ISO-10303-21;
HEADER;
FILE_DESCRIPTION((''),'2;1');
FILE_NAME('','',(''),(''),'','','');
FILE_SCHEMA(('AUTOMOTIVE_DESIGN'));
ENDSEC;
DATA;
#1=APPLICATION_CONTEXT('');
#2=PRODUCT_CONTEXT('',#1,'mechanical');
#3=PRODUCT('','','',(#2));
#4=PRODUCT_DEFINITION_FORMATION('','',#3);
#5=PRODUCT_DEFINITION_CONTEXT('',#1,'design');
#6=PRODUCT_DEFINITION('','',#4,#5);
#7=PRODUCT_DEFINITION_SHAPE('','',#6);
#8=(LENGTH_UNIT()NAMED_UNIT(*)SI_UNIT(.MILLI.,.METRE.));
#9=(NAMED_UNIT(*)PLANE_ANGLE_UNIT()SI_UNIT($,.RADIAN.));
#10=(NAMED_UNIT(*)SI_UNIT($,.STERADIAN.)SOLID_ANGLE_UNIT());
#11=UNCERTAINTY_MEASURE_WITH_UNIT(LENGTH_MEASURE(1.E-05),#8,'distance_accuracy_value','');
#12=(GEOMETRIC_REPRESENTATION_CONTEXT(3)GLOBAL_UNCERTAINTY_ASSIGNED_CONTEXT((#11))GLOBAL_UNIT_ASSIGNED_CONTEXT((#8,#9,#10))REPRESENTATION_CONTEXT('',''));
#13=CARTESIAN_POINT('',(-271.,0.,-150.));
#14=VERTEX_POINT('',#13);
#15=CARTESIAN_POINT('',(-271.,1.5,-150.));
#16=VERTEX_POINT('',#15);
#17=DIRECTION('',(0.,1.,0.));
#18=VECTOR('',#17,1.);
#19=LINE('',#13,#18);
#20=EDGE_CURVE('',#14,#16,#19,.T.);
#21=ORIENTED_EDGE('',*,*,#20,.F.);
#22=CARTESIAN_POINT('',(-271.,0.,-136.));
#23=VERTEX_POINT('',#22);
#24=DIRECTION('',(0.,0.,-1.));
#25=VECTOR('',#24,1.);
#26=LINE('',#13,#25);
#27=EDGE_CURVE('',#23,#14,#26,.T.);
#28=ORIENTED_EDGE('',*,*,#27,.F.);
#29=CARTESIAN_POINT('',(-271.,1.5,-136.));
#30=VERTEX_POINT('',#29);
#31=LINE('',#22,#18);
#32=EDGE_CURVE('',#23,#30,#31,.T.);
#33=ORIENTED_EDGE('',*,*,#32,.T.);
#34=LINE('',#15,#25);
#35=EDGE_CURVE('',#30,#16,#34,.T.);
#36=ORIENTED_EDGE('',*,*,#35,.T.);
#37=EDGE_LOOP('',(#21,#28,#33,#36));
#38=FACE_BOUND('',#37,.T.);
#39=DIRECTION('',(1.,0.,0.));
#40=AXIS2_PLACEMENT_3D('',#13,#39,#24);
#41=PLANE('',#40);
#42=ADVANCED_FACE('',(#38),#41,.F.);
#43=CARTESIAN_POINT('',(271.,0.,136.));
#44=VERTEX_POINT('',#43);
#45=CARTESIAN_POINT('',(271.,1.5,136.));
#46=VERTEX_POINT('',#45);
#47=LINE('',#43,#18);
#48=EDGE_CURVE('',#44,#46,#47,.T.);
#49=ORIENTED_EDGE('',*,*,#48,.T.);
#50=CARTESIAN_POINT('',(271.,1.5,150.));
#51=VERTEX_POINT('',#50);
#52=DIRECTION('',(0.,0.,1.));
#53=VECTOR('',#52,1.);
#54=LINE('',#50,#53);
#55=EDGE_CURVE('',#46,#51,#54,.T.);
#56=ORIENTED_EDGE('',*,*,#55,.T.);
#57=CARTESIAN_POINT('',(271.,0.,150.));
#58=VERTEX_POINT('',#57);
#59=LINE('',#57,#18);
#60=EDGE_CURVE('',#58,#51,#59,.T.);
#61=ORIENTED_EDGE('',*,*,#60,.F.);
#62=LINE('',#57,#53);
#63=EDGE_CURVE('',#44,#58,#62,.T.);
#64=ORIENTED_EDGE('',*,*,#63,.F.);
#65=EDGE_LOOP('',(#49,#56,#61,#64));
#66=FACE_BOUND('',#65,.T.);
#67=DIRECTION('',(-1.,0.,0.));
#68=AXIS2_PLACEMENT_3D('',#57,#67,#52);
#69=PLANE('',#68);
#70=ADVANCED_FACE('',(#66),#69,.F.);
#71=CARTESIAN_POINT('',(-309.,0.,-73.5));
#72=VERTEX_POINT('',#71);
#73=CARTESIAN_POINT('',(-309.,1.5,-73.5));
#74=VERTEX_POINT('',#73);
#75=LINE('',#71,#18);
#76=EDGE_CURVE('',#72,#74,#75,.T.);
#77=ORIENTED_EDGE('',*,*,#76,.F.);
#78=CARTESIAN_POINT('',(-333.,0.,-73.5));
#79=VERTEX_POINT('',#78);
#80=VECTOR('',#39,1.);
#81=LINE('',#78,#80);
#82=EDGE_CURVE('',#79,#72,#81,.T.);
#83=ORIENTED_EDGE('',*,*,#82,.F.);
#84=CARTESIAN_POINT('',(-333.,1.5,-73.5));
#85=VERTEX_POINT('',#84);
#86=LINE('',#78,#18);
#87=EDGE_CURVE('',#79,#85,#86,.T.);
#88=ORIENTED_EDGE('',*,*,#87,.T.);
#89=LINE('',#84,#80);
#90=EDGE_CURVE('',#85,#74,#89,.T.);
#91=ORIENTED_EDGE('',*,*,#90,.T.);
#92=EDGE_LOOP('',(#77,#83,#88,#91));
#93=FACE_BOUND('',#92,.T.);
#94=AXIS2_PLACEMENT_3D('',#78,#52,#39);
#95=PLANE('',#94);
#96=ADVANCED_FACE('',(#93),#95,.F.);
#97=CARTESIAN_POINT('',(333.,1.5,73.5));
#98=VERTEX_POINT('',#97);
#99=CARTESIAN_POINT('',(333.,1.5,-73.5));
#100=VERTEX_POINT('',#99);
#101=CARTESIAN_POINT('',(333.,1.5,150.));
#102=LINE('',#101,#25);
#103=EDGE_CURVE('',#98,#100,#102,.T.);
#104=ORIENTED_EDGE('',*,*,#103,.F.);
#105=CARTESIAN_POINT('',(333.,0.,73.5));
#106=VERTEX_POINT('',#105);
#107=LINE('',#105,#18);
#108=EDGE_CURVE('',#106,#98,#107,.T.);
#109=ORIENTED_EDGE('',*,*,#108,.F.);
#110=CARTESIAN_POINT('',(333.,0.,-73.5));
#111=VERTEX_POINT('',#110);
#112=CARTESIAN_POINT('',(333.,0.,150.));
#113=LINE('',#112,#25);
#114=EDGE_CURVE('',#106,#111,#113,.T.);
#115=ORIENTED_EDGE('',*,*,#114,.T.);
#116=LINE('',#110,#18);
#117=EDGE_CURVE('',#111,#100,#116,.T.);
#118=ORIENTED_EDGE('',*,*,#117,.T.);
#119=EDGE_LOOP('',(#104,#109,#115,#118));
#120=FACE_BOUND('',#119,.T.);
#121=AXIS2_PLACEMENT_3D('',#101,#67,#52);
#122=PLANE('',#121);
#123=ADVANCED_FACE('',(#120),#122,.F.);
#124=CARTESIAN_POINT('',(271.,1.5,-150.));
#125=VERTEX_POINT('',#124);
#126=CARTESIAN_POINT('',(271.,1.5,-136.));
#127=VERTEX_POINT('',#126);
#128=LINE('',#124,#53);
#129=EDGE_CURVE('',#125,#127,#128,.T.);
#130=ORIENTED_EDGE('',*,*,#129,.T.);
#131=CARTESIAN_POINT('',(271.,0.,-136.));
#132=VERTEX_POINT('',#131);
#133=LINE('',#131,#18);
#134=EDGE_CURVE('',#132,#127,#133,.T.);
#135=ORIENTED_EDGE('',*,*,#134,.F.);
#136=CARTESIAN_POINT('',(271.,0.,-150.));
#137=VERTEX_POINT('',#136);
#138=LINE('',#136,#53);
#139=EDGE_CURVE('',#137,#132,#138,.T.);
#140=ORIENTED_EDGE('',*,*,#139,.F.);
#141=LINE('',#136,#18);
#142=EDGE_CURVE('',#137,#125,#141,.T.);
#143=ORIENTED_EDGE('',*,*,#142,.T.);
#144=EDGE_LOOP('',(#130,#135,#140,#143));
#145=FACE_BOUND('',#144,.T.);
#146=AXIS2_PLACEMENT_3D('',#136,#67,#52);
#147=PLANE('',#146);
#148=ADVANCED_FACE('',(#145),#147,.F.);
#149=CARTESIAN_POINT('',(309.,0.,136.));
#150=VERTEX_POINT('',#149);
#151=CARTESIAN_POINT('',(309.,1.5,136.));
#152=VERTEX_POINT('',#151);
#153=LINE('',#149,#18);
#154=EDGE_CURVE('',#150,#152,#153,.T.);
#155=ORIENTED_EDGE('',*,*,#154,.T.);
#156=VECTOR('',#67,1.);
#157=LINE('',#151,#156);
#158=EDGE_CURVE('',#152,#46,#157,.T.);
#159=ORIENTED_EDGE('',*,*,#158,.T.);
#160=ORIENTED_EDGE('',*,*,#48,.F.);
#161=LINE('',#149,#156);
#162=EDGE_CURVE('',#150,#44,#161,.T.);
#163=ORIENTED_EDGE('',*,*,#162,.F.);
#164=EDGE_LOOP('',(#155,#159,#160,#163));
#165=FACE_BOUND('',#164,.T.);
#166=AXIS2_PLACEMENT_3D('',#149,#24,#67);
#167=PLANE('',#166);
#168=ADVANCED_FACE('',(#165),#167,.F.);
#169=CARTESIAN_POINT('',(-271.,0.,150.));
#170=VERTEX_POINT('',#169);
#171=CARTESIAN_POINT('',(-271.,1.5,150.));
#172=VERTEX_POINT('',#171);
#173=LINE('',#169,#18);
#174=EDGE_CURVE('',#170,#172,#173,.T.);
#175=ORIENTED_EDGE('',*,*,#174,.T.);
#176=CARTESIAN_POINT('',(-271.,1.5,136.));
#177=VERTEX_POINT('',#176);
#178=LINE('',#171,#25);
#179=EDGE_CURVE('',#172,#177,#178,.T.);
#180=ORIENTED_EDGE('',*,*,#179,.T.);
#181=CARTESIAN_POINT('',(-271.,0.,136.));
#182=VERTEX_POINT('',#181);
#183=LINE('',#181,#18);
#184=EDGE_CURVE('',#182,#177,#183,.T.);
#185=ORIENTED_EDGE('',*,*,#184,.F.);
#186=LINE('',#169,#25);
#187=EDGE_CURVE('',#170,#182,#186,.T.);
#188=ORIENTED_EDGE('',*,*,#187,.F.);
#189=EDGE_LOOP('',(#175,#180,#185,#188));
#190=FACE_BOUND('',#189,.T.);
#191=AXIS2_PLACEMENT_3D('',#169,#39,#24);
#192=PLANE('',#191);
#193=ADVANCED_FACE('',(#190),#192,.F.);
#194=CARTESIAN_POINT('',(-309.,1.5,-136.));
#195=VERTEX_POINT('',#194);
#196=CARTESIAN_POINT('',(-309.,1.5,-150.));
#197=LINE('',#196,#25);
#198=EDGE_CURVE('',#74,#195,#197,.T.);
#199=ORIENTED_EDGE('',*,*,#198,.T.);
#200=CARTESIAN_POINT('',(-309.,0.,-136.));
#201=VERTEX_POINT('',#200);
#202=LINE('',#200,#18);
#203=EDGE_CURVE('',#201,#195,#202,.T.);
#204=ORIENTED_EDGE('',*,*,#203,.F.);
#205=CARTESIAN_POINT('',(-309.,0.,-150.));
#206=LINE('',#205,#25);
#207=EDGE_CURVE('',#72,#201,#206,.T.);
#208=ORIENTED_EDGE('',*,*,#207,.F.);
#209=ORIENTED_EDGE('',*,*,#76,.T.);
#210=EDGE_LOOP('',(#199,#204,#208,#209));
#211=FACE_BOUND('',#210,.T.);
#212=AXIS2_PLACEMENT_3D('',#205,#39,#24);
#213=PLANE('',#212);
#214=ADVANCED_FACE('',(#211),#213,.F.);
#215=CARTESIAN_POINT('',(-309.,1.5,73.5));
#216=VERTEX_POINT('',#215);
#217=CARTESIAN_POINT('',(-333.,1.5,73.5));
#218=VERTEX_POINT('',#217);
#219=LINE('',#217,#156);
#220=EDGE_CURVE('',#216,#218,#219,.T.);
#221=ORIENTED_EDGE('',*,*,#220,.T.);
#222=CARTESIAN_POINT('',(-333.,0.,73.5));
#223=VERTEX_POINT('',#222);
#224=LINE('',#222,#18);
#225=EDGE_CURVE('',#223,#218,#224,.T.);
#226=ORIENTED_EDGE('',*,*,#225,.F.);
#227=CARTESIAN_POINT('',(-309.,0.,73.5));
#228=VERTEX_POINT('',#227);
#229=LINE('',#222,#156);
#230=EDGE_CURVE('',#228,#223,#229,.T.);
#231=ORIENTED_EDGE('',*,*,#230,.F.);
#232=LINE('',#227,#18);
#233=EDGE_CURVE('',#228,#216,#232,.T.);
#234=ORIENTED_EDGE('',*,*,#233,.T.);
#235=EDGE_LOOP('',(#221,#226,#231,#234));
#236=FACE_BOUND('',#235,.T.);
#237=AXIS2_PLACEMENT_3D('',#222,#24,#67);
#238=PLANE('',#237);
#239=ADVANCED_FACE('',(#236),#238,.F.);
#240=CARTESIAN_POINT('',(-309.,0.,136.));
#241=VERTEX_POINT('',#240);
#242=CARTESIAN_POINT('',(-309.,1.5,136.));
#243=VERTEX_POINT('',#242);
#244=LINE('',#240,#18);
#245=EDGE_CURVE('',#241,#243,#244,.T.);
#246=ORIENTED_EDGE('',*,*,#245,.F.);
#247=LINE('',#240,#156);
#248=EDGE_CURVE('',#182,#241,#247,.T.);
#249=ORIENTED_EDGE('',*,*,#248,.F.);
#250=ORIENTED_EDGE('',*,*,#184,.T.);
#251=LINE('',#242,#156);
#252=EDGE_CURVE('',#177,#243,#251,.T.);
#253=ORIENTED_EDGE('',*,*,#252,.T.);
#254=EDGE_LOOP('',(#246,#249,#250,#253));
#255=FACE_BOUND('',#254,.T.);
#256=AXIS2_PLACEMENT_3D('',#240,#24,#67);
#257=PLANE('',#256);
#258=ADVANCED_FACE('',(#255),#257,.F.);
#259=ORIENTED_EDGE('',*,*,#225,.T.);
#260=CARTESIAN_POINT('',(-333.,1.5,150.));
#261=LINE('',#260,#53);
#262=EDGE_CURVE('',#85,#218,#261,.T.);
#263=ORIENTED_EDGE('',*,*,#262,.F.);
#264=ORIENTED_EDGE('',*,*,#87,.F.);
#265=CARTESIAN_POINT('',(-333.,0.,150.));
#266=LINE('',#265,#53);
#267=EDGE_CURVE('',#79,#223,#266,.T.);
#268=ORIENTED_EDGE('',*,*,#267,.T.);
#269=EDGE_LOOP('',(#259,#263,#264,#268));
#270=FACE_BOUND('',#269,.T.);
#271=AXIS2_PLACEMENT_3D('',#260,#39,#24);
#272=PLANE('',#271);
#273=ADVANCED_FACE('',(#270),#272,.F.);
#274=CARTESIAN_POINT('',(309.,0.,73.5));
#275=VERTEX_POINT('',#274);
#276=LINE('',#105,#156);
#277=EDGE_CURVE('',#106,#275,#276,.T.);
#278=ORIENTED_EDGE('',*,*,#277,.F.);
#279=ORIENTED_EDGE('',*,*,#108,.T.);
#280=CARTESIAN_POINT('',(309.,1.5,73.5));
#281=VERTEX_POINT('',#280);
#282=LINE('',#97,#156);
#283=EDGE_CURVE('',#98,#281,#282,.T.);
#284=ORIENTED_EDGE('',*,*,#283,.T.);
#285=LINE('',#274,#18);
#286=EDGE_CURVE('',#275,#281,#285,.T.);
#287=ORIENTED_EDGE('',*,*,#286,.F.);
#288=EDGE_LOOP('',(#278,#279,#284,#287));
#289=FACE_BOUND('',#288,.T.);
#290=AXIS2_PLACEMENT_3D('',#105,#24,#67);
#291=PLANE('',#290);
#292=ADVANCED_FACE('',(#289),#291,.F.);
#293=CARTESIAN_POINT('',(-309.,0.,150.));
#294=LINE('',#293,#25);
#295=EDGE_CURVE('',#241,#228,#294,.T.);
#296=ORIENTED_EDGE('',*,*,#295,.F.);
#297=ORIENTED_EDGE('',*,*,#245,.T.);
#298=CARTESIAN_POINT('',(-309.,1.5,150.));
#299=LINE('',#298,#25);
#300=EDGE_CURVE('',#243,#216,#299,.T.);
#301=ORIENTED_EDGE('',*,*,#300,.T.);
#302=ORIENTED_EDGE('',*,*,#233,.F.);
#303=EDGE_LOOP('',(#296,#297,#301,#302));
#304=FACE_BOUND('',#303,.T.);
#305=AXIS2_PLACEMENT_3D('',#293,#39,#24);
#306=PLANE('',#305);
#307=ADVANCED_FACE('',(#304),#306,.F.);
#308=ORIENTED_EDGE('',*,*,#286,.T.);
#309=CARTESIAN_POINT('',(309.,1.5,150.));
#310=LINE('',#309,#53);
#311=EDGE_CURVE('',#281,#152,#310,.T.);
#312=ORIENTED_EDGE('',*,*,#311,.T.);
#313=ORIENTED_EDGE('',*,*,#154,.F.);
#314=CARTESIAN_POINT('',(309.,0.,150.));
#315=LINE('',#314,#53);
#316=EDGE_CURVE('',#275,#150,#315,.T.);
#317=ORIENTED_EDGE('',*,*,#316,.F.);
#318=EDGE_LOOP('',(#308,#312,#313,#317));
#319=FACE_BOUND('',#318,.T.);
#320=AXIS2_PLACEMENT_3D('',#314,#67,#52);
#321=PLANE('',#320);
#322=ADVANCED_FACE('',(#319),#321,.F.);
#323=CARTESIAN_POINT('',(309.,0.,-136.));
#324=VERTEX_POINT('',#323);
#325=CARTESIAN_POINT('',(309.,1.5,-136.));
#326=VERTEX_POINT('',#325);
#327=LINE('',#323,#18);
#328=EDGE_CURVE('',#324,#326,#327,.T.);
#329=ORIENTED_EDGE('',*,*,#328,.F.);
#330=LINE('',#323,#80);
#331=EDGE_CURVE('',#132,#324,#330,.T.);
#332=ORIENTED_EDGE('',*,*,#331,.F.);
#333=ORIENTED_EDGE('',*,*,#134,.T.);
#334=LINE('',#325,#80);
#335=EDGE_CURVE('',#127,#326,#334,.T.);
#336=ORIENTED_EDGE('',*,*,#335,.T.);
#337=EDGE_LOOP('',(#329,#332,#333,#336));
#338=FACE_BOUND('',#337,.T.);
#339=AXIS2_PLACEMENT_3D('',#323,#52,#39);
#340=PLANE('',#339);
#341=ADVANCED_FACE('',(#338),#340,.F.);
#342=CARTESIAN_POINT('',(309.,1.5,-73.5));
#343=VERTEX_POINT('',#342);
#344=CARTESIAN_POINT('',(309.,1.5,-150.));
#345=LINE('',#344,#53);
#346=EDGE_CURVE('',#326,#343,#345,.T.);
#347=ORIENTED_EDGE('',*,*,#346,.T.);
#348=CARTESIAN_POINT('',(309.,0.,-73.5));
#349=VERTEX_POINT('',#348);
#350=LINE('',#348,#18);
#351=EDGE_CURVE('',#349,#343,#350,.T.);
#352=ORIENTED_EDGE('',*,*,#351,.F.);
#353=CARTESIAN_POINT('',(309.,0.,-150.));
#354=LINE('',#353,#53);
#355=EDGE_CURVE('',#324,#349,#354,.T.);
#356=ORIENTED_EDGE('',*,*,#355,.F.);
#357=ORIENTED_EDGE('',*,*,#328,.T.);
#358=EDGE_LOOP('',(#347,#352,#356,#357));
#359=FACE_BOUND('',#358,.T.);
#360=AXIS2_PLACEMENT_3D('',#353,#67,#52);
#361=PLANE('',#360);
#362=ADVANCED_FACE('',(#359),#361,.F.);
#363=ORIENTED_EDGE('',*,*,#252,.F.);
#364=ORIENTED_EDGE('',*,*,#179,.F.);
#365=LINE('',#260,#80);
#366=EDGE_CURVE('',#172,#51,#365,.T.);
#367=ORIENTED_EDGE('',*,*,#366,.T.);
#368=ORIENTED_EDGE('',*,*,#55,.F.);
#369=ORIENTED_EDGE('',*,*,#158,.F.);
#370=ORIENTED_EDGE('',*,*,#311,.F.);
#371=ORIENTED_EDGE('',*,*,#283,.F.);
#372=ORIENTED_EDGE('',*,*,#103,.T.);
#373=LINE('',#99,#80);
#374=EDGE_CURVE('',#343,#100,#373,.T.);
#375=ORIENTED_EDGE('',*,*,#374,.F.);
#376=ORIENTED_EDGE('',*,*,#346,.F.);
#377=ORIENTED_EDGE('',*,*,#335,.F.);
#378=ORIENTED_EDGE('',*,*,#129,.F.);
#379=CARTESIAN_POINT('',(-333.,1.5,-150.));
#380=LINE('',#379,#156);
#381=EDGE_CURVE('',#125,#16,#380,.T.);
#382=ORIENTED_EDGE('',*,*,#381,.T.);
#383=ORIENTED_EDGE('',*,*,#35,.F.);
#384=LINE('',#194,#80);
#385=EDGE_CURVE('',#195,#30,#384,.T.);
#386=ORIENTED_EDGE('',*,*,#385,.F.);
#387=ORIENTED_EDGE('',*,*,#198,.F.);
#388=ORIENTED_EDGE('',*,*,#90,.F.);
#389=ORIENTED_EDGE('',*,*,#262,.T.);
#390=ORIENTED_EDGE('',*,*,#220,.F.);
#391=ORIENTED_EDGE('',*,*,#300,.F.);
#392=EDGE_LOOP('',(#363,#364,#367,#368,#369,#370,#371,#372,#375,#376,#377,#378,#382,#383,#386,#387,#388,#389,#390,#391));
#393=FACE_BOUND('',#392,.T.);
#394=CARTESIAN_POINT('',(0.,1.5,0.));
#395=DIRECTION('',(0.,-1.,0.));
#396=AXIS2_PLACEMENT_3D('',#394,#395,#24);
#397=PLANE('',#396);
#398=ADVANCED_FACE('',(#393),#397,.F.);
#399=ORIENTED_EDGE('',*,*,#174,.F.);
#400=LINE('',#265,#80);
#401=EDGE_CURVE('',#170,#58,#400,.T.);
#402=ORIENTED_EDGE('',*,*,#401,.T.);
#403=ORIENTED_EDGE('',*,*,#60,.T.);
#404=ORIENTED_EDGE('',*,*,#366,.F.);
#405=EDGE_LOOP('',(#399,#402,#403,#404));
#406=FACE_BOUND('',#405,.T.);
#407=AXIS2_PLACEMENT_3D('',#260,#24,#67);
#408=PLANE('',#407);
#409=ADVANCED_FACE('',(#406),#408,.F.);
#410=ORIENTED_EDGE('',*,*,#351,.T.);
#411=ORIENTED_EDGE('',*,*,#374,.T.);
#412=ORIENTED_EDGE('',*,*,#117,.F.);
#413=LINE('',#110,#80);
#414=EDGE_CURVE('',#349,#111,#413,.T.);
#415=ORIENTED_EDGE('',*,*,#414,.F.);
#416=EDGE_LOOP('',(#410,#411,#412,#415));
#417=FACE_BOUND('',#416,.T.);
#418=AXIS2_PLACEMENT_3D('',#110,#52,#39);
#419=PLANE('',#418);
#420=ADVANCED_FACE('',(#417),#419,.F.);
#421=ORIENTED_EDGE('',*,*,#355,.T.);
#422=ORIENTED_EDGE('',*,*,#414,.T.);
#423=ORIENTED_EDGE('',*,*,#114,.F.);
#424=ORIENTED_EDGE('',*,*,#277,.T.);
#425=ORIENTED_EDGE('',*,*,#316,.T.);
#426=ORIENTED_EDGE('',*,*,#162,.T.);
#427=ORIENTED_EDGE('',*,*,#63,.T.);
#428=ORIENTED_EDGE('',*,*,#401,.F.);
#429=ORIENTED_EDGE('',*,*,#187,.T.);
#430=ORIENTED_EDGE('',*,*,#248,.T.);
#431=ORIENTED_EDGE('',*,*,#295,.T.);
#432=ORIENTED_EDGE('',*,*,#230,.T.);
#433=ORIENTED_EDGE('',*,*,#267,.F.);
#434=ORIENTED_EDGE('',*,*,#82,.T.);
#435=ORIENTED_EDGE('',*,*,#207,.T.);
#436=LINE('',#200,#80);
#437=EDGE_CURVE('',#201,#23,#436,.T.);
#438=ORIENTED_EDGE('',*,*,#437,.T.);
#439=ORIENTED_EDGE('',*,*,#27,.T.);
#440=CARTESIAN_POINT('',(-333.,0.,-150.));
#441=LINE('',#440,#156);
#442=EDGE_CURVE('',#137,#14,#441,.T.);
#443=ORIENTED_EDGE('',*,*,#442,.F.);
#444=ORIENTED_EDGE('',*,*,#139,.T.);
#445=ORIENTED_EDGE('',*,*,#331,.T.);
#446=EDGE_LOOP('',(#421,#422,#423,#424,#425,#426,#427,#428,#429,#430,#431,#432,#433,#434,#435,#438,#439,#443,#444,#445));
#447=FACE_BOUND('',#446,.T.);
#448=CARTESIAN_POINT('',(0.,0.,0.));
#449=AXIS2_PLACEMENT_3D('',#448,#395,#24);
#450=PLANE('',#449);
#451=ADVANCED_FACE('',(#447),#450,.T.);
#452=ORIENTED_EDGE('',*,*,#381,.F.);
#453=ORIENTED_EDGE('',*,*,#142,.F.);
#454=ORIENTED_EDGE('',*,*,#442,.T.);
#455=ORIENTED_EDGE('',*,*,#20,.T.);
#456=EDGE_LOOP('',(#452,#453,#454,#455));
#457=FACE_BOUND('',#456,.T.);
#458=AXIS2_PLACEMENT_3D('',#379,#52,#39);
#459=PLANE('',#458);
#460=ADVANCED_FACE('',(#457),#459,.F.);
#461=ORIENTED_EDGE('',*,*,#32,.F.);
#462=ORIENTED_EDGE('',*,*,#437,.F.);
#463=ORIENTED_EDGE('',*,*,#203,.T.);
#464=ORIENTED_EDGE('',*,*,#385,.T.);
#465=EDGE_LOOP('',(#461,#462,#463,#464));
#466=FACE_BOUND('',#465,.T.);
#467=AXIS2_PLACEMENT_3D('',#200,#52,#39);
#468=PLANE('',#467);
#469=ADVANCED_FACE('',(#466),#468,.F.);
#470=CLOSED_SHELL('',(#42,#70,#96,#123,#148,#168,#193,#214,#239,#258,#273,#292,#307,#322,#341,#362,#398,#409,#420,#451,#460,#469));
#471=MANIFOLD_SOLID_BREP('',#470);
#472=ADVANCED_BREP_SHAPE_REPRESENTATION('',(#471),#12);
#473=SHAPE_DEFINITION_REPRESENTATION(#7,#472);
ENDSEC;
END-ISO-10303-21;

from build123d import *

# Parameters (mm, degrees)
CROQUIS1_W              = 666
CROQUIS1_H              = 300
SALIENTE_EXTRUIR1_DEPTH = 1.5
CROQUIS2_W              = 24
CROQUIS2_H              = 46.5
CORTAR_EXTRUIR1_DEPTH   = 2.5
CROQUIS3_W              = 38
CROQUIS3_H              = 14
CORTAR_EXTRUIR2_DEPTH   = 2.5
CROQUIS5_W              = 24
CROQUIS5_H              = 30
CORTAR_EXTRUIR3_DEPTH   = 2.5


with BuildPart() as part:
    # Croquis1 → Saliente-Extruir1 (new body)
    with BuildSketch(Plane(origin=(0, 0, 0), x_dir=(1, 0, 0), z_dir=(0, 1, 0))):
        Rectangle(CROQUIS1_W, CROQUIS1_H)
    extrude(amount=SALIENTE_EXTRUIR1_DEPTH)

    # Croquis2 → Cortar-Extruir1 (cut, through all)
    with BuildSketch(Plane(origin=(0, 1.5, 0), x_dir=(1, 0, 0), z_dir=(0, 1, 0))):
        with Locations((321, 126.75)):
            Rectangle(CROQUIS2_W, CROQUIS2_H)
        with Locations((-321, 126.75)):
            Rectangle(CROQUIS2_W, CROQUIS2_H)
        with Locations((-321, -126.75)):
            Rectangle(CROQUIS2_W, CROQUIS2_H)
        with Locations((321, -126.75)):
            Rectangle(CROQUIS2_W, CROQUIS2_H)
    extrude(amount=-CORTAR_EXTRUIR1_DEPTH, mode=Mode.SUBTRACT)

    # Croquis3 → Cortar-Extruir2 (cut, through all)
    with BuildSketch(Plane(origin=(0, 1.5, 0), x_dir=(1, 0, 0), z_dir=(0, 1, 0))):
        with Locations((-290, 143)):
            Rectangle(CROQUIS3_W, CROQUIS3_H)
        with Locations((290, 143)):
            Rectangle(CROQUIS3_W, CROQUIS3_H)
        with Locations((290, -143)):
            Rectangle(CROQUIS3_W, CROQUIS3_H)
        with Locations((-290, -143)):
            Rectangle(CROQUIS3_W, CROQUIS3_H)
    extrude(amount=-CORTAR_EXTRUIR2_DEPTH, mode=Mode.SUBTRACT)

    # Croquis5 → Cortar-Extruir3 (cut, through all)
    with BuildSketch(Plane(origin=(0, 1.5, 0), x_dir=(1, 0, 0), z_dir=(0, 1, 0))):
        with Locations((-321, 88.5)):
            Rectangle(CROQUIS5_W, CROQUIS5_H)
        with Locations((321, 88.5)):
            Rectangle(CROQUIS5_W, CROQUIS5_H)
        with Locations((321, -88.5)):
            Rectangle(CROQUIS5_W, CROQUIS5_H)
        with Locations((-321, -88.5)):
            Rectangle(CROQUIS5_W, CROQUIS5_H)
    extrude(amount=-CORTAR_EXTRUIR3_DEPTH, mode=Mode.SUBTRACT)


solid = part.part
